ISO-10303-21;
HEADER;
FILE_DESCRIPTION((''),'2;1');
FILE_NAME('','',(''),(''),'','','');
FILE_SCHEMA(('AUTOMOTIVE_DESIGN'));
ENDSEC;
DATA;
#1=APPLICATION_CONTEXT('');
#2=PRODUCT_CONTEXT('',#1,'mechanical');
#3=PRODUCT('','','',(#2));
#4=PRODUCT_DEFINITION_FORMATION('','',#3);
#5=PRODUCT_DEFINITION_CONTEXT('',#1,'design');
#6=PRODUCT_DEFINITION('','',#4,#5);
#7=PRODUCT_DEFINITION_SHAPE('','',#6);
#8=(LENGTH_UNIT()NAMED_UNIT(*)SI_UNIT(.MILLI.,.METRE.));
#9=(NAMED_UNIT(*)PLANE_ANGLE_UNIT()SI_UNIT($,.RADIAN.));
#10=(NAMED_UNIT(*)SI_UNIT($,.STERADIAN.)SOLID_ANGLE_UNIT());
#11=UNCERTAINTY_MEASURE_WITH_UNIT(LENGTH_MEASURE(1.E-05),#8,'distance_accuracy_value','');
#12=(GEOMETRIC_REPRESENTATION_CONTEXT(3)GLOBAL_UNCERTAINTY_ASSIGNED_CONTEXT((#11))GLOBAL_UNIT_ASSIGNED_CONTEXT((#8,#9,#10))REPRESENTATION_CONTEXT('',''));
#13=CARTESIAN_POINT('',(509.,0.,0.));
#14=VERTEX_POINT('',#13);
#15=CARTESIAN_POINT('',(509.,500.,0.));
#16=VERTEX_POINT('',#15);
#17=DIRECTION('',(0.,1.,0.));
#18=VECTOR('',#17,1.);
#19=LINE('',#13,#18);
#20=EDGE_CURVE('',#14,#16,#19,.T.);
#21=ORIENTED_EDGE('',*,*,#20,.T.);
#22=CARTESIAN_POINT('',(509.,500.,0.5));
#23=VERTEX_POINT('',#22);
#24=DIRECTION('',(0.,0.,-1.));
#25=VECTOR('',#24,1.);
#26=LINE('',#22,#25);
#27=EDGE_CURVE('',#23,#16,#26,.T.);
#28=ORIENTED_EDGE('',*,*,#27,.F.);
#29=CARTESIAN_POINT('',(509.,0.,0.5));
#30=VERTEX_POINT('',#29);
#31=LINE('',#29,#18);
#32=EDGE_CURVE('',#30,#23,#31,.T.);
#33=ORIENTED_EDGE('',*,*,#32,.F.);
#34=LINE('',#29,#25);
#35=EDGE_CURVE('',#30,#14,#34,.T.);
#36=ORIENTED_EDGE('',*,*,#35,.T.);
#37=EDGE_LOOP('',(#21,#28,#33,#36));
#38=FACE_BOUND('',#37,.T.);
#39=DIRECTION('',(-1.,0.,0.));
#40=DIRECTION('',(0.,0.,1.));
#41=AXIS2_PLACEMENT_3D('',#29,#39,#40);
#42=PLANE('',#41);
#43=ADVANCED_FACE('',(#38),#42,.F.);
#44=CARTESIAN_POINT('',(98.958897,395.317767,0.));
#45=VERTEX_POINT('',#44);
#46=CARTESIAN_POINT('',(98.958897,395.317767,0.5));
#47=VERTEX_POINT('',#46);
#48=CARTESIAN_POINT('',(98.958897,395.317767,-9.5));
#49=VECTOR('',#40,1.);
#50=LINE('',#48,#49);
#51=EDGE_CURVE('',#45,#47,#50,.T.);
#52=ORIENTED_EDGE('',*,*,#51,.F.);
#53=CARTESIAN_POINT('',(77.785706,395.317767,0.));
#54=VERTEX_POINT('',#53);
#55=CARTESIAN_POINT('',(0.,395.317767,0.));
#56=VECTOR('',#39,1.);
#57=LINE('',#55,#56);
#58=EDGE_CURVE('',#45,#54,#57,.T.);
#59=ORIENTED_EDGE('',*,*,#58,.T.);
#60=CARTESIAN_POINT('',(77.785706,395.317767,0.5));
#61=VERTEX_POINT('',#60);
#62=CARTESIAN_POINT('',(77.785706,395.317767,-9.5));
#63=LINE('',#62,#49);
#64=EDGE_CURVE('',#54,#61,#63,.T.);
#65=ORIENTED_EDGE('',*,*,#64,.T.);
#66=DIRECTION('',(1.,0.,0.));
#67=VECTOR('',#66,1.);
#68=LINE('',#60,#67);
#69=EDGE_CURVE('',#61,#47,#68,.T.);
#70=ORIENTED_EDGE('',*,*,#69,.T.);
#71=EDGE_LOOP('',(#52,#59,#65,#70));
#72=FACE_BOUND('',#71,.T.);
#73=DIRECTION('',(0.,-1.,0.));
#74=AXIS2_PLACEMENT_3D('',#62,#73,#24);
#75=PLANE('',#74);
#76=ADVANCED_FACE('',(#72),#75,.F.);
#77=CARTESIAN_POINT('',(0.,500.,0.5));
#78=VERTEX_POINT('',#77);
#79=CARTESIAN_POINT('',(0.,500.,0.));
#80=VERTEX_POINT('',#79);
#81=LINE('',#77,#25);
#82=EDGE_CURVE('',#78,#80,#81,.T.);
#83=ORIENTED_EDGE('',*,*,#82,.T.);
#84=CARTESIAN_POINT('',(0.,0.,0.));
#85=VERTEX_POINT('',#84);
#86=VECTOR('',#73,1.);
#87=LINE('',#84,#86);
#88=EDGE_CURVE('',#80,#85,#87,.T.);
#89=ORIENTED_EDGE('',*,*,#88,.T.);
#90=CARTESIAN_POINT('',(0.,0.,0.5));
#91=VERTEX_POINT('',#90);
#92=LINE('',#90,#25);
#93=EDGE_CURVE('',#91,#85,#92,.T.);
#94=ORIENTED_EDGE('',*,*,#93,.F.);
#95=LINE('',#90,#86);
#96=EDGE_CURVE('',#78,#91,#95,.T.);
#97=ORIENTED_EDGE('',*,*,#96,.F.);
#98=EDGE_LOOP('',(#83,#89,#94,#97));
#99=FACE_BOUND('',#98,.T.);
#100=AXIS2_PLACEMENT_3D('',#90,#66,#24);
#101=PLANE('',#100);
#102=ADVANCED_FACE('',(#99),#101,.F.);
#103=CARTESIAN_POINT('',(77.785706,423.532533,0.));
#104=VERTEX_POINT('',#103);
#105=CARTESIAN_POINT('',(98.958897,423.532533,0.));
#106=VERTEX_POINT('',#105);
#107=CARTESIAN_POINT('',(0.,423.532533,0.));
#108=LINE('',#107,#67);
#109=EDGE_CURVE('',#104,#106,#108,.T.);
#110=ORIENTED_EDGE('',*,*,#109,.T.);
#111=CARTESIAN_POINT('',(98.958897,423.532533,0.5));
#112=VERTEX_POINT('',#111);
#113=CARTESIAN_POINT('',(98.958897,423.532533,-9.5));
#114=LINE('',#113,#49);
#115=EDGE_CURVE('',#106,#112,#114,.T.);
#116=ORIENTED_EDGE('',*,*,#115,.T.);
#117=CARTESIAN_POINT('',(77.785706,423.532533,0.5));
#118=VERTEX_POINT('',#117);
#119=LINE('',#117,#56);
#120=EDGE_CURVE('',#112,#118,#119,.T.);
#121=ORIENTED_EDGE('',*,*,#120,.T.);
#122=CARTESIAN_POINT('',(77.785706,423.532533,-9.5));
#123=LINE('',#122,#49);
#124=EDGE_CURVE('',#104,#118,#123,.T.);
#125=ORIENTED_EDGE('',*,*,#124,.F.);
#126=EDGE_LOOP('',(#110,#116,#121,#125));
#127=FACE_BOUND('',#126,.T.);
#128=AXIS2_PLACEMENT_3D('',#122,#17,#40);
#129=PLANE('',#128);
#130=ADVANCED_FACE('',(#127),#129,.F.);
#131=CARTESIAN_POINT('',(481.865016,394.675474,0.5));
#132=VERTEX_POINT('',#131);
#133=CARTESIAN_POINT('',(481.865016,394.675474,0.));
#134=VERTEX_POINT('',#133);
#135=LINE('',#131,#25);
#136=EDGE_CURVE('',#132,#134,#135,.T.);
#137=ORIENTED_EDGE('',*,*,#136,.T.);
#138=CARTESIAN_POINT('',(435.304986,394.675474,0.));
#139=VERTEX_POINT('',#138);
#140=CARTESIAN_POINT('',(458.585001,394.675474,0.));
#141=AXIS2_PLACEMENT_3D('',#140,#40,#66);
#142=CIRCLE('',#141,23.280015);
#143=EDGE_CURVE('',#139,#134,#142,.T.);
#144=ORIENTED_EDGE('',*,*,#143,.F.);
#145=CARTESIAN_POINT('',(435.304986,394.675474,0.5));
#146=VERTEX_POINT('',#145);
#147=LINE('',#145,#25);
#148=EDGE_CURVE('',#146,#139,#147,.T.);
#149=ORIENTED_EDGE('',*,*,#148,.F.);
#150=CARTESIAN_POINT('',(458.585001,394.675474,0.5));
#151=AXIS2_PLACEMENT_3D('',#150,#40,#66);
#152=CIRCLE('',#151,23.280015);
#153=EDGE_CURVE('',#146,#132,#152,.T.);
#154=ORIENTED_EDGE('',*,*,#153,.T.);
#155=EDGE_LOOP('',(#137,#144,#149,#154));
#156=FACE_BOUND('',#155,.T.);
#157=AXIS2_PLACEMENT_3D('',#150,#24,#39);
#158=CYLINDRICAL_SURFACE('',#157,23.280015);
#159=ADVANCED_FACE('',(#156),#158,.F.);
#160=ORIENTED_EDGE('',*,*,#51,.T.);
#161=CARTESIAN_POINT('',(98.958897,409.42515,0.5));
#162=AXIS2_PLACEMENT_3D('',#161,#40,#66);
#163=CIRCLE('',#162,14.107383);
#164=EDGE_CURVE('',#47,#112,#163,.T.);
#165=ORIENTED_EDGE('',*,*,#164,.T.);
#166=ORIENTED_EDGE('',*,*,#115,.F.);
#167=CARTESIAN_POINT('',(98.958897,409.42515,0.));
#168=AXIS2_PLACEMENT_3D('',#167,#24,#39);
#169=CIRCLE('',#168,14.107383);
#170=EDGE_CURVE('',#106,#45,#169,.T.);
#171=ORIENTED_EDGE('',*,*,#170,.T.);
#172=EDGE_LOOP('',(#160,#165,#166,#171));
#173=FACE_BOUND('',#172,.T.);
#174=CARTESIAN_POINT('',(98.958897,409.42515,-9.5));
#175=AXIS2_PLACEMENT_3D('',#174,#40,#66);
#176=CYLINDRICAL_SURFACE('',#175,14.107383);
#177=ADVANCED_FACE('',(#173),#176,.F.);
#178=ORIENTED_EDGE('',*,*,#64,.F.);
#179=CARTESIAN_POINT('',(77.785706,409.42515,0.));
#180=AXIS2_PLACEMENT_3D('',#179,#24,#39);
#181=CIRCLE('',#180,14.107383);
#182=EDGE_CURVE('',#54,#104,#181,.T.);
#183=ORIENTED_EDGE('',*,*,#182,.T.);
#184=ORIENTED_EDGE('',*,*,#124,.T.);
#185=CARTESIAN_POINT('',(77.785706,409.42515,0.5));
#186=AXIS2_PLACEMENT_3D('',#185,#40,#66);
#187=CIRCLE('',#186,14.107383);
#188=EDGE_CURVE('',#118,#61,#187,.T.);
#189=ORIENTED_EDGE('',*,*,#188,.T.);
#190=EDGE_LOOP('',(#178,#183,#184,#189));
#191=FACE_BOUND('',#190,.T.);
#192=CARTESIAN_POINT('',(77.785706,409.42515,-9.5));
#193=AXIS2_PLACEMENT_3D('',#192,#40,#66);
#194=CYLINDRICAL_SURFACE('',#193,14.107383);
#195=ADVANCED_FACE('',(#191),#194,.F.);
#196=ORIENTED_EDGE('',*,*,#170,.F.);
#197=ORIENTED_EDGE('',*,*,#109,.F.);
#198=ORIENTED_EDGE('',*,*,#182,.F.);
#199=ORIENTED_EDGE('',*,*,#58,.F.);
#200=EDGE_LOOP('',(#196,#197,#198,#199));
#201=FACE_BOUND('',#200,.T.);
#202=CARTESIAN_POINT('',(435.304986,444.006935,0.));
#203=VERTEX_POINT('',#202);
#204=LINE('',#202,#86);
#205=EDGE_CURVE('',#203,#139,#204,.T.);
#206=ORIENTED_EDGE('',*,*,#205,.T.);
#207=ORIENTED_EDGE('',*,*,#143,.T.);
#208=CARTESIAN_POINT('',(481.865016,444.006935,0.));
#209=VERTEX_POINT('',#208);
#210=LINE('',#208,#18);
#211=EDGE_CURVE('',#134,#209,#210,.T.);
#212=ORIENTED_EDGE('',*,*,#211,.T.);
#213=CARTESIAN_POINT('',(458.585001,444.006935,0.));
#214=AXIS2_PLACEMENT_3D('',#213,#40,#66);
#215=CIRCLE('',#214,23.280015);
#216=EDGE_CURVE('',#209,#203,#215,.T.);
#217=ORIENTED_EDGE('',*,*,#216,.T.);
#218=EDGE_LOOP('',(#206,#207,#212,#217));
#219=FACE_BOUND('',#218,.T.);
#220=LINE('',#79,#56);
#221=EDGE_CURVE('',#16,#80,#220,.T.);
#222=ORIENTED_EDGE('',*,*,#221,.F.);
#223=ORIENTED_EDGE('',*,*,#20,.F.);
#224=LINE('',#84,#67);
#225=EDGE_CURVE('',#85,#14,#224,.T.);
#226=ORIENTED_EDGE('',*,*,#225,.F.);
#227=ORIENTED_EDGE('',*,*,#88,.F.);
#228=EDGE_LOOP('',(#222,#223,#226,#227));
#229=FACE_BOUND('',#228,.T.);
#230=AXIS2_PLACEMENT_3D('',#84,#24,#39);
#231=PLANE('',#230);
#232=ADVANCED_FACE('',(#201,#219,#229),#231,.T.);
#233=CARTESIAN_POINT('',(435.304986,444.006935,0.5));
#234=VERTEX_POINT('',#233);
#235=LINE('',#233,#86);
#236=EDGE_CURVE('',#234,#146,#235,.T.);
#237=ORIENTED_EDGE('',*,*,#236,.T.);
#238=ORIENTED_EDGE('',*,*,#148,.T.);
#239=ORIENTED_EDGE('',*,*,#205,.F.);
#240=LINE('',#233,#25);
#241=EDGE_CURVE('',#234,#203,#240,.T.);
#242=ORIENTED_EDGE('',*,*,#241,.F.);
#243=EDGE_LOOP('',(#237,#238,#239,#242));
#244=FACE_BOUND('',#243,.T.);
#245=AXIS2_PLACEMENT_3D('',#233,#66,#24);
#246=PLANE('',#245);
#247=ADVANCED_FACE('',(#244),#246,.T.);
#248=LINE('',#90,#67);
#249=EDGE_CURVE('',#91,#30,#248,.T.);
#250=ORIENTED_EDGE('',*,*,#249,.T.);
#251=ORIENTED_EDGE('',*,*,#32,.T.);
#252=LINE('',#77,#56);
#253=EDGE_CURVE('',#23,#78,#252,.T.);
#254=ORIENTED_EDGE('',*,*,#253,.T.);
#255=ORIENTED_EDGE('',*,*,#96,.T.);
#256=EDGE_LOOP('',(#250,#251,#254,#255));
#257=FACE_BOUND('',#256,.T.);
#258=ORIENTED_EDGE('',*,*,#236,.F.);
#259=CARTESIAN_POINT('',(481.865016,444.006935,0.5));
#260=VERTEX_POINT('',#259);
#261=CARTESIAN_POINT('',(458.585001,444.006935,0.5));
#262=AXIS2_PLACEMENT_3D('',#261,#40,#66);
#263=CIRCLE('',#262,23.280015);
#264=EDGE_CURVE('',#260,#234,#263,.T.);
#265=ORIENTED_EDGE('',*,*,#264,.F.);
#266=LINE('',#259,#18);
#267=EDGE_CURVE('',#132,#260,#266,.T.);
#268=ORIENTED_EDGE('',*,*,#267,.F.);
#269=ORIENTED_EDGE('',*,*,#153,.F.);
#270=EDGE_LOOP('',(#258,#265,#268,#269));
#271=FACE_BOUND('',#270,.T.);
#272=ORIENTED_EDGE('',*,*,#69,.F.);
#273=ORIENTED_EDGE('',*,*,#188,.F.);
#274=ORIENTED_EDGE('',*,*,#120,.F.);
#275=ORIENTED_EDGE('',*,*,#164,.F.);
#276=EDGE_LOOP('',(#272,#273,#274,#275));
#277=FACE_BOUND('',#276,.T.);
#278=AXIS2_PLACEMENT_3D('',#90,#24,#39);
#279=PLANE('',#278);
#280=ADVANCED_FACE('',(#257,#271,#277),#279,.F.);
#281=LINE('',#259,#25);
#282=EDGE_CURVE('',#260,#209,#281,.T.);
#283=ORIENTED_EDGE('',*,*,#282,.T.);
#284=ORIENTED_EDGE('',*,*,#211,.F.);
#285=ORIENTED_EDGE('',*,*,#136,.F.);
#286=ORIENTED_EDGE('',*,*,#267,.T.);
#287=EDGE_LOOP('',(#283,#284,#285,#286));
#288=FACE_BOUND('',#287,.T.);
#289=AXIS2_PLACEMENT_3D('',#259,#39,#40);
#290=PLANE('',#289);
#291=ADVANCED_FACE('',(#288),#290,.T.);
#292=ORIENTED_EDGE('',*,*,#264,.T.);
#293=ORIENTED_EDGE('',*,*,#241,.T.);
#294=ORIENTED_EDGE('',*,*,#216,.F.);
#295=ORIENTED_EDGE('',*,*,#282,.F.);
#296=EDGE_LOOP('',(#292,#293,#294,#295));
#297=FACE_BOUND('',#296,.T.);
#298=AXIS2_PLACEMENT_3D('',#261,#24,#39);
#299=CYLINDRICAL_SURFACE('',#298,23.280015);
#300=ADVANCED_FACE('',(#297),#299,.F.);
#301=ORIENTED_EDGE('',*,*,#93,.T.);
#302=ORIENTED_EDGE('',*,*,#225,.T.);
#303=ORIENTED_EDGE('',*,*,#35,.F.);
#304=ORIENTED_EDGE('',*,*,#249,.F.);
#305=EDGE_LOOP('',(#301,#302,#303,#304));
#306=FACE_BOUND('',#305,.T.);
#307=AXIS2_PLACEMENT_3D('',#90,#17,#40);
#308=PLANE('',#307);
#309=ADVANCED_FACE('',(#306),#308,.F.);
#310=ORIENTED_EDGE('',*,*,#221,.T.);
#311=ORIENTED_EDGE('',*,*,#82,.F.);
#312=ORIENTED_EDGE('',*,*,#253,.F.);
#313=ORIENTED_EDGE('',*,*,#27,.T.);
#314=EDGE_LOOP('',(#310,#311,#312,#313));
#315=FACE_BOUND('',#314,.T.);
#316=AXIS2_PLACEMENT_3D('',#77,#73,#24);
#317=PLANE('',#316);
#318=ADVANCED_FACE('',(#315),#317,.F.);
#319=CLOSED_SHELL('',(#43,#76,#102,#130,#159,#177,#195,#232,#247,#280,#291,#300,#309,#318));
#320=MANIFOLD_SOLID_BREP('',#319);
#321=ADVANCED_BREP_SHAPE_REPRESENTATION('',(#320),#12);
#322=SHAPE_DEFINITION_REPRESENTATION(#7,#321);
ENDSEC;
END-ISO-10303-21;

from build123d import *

# Parameters (mm, degrees)
SKETCH1_W           = 509
SKETCH1_H           = 500
BOSS_EXTRUDE1_DEPTH = 0.5
CUT_EXTRUDE4_DEPTH  = 10


with BuildPart() as part:
    # Sketch1 → Boss-Extrude1 (new body)
    with BuildSketch(Plane.XY):
        with Locations((254.5, 250)):
            Rectangle(SKETCH1_W, SKETCH1_H)
        with BuildLine():
            Line((481.865015679, 444.006934605), (481.865015679, 394.675474189))
            ThreePointArc((481.865015679, 394.675474189), (458.585000651, 371.395459161), (435.304985623, 394.675474189))
            Line((435.304985623, 394.675474189), (435.304985623, 444.006934605))
            ThreePointArc((435.304985623, 444.006934605), (458.585000651, 467.286949633), (481.865015679, 444.006934605))
        make_face(mode=Mode.SUBTRACT)
    extrude(amount=BOSS_EXTRUDE1_DEPTH)

    # Sketch8 → Cut-Extrude4 (cut)
    with BuildSketch(Plane.XY.offset(0.5)):
        with BuildLine():
            Line((77.785706476, 423.532533194), (98.958896901, 423.532533194))
            ThreePointArc((98.958896901, 423.532533194), (113.066279785, 409.425150311), (98.958896901, 395.317767427))
            Line((98.958896901, 395.317767427), (77.785706476, 395.317767427))
            ThreePointArc((77.785706476, 395.317767427), (63.678323592, 409.425150311), (77.785706476, 423.532533194))
        make_face()
    extrude(amount=-CUT_EXTRUDE4_DEPTH, mode=Mode.SUBTRACT)


solid = part.part
